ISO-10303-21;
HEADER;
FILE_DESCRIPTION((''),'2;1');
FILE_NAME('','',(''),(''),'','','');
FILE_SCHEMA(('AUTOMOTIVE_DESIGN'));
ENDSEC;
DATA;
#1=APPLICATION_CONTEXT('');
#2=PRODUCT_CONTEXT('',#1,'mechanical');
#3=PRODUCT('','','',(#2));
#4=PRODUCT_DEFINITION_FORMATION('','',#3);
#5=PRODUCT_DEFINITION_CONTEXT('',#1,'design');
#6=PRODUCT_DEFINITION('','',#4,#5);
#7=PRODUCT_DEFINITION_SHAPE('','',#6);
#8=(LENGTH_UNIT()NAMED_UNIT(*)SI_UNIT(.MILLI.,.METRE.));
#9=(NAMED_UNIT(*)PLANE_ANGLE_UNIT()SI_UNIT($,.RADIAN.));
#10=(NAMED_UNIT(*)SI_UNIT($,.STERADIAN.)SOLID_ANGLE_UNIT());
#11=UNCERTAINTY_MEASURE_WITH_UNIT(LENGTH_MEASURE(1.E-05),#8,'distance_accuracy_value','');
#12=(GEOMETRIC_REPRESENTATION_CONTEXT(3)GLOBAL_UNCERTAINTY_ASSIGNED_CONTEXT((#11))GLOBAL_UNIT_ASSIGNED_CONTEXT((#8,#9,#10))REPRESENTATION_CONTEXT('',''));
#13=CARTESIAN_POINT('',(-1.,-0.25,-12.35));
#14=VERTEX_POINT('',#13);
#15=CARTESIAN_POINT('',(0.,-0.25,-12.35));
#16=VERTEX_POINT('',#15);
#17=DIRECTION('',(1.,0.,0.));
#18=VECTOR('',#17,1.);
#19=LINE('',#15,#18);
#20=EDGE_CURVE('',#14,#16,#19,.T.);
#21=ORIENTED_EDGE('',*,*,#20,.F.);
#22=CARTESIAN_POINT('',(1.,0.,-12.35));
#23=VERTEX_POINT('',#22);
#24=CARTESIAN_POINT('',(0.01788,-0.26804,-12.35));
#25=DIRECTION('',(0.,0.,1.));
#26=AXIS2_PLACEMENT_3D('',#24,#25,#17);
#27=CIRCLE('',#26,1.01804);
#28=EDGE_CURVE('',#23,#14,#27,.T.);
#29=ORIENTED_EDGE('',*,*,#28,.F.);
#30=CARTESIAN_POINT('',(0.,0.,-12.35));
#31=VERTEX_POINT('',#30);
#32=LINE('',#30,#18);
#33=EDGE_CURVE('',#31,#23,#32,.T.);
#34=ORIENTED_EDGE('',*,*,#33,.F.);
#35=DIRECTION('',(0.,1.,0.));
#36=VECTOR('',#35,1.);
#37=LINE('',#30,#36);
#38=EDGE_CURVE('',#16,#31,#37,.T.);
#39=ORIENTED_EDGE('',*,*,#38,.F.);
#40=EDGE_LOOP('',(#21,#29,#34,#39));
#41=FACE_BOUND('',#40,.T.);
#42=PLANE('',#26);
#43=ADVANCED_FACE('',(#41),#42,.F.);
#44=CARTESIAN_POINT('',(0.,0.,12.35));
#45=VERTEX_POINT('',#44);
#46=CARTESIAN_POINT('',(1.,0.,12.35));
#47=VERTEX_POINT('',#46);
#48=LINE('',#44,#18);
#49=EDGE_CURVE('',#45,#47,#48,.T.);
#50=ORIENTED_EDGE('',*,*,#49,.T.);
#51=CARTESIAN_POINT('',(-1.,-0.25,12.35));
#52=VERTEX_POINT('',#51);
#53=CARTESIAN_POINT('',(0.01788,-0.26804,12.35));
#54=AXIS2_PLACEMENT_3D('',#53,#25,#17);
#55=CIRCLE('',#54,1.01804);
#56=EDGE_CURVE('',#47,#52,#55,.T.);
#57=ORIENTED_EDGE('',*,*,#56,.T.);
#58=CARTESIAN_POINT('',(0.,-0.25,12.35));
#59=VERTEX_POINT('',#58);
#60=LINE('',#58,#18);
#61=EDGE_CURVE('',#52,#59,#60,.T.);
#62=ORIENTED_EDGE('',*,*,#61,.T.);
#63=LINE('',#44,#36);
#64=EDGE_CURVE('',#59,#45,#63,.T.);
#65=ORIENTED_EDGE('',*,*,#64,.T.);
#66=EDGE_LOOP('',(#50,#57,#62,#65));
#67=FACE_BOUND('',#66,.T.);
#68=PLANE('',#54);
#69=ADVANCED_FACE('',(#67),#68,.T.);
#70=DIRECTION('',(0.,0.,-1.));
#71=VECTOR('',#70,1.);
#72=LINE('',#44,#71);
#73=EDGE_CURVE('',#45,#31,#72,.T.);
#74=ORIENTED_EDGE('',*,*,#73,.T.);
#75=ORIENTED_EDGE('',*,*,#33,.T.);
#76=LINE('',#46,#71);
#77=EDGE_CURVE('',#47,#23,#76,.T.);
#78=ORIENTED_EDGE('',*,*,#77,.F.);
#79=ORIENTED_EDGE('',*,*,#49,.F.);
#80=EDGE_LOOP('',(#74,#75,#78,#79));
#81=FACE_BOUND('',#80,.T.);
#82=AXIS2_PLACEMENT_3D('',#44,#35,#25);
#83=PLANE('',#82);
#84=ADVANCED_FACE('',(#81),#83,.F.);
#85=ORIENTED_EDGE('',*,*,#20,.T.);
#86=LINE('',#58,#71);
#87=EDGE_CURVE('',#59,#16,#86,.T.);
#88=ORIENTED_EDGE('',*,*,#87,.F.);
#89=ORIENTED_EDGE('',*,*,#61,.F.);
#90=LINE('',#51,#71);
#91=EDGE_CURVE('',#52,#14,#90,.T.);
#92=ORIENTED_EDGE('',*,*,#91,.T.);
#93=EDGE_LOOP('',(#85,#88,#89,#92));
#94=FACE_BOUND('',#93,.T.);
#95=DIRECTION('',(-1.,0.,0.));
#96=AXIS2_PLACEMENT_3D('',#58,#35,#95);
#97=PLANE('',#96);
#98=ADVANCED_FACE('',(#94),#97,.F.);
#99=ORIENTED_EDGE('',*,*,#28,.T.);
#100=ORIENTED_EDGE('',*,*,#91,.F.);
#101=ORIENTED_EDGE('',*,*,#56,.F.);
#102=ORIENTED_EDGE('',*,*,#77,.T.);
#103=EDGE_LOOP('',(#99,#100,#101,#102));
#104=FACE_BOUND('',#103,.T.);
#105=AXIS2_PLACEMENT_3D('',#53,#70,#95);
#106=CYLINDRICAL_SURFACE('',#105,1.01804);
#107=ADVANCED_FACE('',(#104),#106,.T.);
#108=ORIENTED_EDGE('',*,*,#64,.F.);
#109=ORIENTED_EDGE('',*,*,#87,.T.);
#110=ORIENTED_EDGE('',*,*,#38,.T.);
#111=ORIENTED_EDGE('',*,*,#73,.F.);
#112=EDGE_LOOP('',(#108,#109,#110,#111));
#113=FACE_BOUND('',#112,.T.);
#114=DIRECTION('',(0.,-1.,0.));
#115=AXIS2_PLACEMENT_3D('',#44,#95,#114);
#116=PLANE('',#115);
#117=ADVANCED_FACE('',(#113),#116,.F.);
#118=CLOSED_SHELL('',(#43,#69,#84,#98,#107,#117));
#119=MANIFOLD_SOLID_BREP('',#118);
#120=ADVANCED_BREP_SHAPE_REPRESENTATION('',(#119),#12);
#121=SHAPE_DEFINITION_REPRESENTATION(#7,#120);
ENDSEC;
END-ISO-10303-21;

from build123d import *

# Parameters (mm, degrees)
BOSS_EXTRUDE1_DEPTH = 12.35


with BuildPart() as part:
    # Sketch1 → Boss-Extrude1 (new body, symmetric)
    with BuildSketch(Plane.XY):
        with BuildLine():
            Line((0, 0), (0, -0.25))
            Line((0, -0.25), (-1, -0.25))
            ThreePointArc((-1, -0.25), (-0.108392321, 0.742138571), (1, 0))
            Line((1, 0), (0, 0))
        make_face()
    extrude(amount=BOSS_EXTRUDE1_DEPTH, both=True)


solid = part.part
